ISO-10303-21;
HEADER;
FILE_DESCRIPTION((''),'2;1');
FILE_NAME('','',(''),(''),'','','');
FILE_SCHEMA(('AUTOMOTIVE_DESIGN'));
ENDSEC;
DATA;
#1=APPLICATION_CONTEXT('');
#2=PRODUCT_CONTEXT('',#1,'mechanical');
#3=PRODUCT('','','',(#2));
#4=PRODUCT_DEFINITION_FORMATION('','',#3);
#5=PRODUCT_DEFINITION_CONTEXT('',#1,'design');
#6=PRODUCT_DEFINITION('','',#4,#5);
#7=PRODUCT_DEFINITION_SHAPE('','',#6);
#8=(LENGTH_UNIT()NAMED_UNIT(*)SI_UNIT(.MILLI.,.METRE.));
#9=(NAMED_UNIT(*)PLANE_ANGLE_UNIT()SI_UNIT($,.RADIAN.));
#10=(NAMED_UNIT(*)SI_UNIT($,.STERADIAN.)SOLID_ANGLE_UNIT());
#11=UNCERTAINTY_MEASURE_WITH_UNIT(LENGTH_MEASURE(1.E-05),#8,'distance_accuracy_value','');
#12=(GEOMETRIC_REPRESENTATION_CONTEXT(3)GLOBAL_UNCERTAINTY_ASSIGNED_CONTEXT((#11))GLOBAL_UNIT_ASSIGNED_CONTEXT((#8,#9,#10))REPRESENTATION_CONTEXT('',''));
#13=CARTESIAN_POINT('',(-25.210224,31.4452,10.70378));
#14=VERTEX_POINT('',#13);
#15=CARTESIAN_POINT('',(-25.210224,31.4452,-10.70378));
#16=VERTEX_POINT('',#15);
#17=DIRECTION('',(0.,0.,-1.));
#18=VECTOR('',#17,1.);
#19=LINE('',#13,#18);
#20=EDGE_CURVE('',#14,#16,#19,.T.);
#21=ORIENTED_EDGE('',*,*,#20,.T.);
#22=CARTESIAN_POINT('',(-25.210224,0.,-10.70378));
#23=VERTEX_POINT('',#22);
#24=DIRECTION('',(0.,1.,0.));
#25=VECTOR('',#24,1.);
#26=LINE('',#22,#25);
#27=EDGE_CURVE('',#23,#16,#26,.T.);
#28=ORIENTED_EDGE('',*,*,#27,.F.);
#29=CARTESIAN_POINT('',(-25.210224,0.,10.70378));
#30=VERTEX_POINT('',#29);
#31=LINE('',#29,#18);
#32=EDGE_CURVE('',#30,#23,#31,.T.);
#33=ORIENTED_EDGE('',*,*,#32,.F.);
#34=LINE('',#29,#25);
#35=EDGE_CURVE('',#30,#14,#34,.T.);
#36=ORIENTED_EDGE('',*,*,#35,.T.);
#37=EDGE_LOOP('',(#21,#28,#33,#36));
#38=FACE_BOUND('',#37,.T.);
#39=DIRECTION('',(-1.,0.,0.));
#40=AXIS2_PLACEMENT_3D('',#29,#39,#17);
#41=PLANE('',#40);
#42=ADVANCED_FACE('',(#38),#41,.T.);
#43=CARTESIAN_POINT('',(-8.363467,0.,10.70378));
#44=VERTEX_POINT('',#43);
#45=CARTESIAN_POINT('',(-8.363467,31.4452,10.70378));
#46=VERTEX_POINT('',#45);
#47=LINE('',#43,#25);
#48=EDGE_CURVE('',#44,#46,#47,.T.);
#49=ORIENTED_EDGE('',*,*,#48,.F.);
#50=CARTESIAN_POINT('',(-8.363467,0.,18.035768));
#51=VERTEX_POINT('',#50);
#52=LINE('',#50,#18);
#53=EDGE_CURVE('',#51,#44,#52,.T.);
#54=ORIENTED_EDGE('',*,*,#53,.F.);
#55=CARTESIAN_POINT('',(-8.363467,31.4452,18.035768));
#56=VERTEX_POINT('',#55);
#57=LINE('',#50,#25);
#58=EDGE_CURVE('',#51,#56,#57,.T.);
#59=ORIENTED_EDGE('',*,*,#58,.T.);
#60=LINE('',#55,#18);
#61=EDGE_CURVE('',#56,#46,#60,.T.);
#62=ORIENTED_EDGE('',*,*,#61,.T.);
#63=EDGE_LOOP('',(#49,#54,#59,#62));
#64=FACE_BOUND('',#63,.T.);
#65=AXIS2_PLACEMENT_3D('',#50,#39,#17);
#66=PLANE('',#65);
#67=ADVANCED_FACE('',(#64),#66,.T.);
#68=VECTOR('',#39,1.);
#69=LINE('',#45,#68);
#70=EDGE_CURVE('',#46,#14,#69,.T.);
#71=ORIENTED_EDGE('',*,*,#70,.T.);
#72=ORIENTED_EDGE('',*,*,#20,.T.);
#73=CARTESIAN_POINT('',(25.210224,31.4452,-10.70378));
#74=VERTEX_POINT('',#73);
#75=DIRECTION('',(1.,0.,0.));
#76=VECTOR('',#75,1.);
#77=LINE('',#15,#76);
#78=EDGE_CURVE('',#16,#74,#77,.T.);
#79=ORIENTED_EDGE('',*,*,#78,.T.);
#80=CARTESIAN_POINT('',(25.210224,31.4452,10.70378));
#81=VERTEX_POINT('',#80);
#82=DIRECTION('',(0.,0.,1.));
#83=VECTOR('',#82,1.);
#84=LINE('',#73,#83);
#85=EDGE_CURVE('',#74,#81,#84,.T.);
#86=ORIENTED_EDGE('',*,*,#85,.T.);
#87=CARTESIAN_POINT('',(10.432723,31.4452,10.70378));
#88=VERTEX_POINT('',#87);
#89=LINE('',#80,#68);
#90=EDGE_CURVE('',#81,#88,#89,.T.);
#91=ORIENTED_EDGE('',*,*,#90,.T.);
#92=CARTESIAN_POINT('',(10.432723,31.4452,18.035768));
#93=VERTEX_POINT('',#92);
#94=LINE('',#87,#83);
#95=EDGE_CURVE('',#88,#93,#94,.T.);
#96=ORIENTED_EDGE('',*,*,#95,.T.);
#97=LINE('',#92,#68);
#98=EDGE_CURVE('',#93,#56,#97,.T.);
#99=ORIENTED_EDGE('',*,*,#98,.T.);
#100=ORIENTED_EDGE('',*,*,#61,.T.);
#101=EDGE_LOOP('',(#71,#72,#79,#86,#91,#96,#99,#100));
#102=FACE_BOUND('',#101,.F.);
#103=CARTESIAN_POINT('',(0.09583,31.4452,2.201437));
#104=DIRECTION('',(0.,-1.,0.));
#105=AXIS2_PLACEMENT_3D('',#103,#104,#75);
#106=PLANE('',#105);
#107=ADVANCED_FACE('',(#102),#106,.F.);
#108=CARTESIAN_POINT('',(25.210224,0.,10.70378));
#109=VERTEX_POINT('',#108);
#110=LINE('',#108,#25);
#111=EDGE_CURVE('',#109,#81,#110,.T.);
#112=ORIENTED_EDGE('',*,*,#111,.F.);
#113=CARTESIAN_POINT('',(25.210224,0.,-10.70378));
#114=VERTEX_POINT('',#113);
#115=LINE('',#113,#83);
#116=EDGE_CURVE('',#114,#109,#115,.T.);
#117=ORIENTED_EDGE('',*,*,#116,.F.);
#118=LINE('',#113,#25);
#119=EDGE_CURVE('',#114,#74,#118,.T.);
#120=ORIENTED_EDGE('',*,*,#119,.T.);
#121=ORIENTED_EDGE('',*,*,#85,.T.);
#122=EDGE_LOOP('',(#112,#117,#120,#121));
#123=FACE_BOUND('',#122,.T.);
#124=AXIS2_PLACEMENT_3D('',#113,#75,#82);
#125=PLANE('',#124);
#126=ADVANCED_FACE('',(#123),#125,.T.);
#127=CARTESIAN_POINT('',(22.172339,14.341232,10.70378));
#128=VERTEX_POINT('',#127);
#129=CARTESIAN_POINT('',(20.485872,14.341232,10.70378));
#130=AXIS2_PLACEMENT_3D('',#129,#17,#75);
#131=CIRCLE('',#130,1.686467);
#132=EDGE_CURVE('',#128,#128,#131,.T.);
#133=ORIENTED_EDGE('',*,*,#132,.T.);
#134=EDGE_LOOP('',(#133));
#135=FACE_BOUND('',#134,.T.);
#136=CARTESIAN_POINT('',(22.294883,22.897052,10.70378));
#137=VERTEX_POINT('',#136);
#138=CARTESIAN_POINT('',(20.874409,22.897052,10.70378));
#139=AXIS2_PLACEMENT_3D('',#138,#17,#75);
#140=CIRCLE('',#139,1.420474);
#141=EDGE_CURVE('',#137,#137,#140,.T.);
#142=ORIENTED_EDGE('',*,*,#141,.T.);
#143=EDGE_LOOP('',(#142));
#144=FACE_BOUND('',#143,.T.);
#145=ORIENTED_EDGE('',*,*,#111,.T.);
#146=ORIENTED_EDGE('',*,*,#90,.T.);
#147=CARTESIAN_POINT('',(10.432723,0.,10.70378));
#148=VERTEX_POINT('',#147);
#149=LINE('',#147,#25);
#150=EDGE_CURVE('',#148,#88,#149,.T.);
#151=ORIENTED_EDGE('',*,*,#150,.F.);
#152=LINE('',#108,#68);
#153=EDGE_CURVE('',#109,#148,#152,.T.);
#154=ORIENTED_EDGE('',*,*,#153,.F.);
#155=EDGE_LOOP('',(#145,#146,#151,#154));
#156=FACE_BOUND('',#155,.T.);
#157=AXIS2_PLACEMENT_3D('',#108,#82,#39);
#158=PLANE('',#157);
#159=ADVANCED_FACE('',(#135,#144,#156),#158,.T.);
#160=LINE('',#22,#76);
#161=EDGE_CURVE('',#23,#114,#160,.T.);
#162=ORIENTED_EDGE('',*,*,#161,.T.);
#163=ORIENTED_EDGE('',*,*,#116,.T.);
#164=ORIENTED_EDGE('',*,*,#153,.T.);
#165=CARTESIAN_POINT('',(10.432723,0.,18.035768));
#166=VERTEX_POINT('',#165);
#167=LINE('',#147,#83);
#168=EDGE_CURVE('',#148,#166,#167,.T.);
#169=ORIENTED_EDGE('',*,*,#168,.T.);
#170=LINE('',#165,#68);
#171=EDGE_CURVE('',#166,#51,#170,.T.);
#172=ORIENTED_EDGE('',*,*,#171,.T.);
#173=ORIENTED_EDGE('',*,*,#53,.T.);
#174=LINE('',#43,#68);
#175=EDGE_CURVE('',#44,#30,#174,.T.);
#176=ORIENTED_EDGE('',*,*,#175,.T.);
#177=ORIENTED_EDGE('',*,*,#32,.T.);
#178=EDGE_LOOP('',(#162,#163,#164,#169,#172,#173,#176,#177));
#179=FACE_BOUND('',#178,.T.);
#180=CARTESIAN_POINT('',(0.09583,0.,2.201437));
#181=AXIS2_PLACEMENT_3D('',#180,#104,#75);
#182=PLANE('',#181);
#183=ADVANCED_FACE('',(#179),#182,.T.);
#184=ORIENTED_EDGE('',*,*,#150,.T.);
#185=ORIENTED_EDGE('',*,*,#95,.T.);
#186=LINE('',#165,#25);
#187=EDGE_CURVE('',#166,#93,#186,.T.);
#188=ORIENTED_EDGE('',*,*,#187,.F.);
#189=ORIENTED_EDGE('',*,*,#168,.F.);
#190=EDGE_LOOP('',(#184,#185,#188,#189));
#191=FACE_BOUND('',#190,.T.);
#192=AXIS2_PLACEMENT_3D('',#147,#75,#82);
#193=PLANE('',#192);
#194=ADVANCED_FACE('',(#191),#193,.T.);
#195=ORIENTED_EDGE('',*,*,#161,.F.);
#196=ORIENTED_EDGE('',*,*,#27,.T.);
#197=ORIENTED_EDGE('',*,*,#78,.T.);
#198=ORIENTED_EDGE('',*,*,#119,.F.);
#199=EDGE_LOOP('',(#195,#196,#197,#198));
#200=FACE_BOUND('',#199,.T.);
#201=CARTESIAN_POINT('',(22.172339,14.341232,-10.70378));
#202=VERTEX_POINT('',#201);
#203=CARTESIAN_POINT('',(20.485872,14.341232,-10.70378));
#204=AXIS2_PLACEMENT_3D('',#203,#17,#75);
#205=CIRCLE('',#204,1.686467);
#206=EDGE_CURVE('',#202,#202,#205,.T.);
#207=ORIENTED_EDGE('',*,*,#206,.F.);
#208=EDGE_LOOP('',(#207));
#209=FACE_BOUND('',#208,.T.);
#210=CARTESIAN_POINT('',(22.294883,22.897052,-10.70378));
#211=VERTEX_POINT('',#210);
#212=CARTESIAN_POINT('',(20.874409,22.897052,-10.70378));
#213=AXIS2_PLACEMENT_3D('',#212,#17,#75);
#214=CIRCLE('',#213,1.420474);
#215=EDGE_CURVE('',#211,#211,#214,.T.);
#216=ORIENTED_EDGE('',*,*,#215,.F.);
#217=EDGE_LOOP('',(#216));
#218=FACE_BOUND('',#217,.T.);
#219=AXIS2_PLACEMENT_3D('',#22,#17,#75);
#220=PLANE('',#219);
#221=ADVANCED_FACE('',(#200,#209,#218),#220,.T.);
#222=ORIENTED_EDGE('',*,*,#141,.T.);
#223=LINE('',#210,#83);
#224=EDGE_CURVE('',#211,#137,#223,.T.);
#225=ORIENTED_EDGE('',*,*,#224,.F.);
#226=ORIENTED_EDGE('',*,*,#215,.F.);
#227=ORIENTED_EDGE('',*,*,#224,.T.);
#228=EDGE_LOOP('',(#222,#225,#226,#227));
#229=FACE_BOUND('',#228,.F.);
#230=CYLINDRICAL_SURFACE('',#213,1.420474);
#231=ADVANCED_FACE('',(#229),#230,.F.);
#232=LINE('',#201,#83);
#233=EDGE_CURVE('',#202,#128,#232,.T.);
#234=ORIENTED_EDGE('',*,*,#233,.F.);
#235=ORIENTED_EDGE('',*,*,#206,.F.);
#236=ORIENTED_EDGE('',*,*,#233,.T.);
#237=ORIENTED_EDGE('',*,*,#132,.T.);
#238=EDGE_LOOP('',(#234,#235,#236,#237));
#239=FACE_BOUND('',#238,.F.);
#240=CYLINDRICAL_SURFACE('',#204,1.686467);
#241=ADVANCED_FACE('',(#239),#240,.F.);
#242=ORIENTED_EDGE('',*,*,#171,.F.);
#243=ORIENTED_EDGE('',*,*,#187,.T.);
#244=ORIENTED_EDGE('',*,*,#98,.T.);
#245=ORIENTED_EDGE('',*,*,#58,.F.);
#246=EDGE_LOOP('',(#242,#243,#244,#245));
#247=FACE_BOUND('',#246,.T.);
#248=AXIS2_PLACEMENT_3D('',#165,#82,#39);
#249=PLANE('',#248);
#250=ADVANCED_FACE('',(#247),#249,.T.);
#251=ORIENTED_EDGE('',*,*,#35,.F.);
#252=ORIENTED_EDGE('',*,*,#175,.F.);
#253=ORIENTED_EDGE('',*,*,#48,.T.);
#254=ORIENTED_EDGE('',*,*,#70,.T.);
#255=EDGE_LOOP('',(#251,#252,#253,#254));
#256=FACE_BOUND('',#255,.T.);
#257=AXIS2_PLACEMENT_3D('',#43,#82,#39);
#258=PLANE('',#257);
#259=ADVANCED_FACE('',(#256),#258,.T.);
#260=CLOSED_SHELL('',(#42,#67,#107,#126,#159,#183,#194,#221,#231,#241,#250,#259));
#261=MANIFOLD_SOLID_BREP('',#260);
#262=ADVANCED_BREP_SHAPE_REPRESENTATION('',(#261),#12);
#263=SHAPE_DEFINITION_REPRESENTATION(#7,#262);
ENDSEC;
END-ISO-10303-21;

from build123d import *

# Parameters (mm, degrees)
F1_DEPTH = 31.4452
F3_R     = 1.686467
F4_DEPTH = 25.4
F3_R_2   = 1.420474
F5_DEPTH = 25.4


with BuildPart() as f1:
    # F0 (on Front) → F1 (new body)
    with BuildSketch(Plane.XZ):
        Polygon((-8.363467, 10.70378), (-25.210224, 10.70378), (-25.210224, -10.70378), (25.210224, -10.70378), (25.210224, 10.70378), (10.432723, 10.70378), (10.432723, 18.035768), (-8.363467, 18.035768), align=None)
    extrude(amount=-F1_DEPTH)

    # F3 (on face) → F4 (cut)
    with BuildSketch(Plane(origin=(0, 0, -10.70378), x_dir=(1, 0, 0), z_dir=(0, 0, -1))):
        with Locations((20.485872, -14.341232)):
            Circle(F3_R)
    extrude(amount=-F4_DEPTH, mode=Mode.SUBTRACT)

    # F3 (on face) → F5 (cut)
    with BuildSketch(Plane(origin=(0, 0, -10.70378), x_dir=(1, 0, 0), z_dir=(0, 0, -1))):
        with Locations((20.874409, -22.897052)):
            Circle(F3_R_2)
    extrude(amount=-F5_DEPTH, mode=Mode.SUBTRACT)


solid = f1.part
